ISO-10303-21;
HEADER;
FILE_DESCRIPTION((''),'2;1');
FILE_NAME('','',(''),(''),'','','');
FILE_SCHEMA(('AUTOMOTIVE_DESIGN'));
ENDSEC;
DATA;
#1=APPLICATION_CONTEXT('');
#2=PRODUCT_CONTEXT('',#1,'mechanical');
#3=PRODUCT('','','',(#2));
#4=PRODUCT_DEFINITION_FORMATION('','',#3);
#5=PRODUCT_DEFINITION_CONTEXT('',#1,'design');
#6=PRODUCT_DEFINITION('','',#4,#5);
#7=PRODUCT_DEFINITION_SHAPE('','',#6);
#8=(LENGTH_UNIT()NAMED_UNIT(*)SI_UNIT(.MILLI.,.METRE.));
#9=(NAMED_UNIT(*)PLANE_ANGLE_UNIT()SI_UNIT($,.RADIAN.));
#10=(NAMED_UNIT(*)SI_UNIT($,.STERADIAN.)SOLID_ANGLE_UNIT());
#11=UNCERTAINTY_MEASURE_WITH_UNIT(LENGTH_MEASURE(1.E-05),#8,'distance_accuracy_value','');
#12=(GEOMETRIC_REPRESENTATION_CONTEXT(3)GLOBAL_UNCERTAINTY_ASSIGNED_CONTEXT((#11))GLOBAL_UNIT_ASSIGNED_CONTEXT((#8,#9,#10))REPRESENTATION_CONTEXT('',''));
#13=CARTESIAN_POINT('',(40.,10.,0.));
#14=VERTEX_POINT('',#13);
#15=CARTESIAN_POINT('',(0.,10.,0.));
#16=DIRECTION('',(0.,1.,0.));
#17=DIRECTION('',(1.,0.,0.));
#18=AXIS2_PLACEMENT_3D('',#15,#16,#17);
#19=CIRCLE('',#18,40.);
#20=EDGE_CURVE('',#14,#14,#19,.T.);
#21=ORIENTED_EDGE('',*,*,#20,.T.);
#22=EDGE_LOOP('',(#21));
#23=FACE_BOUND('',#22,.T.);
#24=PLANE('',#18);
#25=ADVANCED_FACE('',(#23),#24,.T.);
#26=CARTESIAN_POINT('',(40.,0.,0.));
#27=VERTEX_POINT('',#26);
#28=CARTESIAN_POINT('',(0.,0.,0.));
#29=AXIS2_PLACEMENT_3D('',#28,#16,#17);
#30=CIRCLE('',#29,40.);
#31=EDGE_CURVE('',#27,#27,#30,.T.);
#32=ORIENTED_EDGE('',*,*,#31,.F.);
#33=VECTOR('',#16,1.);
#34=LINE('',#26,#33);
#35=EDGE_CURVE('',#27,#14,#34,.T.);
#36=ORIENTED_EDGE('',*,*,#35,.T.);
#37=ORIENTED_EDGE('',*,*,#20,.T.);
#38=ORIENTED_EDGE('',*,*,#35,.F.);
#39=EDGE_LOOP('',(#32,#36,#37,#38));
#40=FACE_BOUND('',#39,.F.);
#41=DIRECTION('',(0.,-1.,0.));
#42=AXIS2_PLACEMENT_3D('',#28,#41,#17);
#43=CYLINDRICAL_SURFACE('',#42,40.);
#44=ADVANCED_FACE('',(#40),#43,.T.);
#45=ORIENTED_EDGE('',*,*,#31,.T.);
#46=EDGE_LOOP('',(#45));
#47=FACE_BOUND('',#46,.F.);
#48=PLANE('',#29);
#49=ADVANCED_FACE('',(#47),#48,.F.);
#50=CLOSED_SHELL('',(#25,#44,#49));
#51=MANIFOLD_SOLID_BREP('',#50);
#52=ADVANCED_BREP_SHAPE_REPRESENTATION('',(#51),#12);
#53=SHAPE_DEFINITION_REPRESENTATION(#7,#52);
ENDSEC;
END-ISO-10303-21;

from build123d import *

# Parameters (mm, degrees)
SKETCH2_R           = 40
BOSS_EXTRUDE1_DEPTH = 10


with BuildPart() as part:
    # Sketch2 → Boss-Extrude1 (new body)
    with BuildSketch(Plane(origin=(0, 0, 0), x_dir=(1, 0, 0), z_dir=(0, 1, 0))):
        Circle(SKETCH2_R)
    extrude(amount=BOSS_EXTRUDE1_DEPTH)


solid = part.part
